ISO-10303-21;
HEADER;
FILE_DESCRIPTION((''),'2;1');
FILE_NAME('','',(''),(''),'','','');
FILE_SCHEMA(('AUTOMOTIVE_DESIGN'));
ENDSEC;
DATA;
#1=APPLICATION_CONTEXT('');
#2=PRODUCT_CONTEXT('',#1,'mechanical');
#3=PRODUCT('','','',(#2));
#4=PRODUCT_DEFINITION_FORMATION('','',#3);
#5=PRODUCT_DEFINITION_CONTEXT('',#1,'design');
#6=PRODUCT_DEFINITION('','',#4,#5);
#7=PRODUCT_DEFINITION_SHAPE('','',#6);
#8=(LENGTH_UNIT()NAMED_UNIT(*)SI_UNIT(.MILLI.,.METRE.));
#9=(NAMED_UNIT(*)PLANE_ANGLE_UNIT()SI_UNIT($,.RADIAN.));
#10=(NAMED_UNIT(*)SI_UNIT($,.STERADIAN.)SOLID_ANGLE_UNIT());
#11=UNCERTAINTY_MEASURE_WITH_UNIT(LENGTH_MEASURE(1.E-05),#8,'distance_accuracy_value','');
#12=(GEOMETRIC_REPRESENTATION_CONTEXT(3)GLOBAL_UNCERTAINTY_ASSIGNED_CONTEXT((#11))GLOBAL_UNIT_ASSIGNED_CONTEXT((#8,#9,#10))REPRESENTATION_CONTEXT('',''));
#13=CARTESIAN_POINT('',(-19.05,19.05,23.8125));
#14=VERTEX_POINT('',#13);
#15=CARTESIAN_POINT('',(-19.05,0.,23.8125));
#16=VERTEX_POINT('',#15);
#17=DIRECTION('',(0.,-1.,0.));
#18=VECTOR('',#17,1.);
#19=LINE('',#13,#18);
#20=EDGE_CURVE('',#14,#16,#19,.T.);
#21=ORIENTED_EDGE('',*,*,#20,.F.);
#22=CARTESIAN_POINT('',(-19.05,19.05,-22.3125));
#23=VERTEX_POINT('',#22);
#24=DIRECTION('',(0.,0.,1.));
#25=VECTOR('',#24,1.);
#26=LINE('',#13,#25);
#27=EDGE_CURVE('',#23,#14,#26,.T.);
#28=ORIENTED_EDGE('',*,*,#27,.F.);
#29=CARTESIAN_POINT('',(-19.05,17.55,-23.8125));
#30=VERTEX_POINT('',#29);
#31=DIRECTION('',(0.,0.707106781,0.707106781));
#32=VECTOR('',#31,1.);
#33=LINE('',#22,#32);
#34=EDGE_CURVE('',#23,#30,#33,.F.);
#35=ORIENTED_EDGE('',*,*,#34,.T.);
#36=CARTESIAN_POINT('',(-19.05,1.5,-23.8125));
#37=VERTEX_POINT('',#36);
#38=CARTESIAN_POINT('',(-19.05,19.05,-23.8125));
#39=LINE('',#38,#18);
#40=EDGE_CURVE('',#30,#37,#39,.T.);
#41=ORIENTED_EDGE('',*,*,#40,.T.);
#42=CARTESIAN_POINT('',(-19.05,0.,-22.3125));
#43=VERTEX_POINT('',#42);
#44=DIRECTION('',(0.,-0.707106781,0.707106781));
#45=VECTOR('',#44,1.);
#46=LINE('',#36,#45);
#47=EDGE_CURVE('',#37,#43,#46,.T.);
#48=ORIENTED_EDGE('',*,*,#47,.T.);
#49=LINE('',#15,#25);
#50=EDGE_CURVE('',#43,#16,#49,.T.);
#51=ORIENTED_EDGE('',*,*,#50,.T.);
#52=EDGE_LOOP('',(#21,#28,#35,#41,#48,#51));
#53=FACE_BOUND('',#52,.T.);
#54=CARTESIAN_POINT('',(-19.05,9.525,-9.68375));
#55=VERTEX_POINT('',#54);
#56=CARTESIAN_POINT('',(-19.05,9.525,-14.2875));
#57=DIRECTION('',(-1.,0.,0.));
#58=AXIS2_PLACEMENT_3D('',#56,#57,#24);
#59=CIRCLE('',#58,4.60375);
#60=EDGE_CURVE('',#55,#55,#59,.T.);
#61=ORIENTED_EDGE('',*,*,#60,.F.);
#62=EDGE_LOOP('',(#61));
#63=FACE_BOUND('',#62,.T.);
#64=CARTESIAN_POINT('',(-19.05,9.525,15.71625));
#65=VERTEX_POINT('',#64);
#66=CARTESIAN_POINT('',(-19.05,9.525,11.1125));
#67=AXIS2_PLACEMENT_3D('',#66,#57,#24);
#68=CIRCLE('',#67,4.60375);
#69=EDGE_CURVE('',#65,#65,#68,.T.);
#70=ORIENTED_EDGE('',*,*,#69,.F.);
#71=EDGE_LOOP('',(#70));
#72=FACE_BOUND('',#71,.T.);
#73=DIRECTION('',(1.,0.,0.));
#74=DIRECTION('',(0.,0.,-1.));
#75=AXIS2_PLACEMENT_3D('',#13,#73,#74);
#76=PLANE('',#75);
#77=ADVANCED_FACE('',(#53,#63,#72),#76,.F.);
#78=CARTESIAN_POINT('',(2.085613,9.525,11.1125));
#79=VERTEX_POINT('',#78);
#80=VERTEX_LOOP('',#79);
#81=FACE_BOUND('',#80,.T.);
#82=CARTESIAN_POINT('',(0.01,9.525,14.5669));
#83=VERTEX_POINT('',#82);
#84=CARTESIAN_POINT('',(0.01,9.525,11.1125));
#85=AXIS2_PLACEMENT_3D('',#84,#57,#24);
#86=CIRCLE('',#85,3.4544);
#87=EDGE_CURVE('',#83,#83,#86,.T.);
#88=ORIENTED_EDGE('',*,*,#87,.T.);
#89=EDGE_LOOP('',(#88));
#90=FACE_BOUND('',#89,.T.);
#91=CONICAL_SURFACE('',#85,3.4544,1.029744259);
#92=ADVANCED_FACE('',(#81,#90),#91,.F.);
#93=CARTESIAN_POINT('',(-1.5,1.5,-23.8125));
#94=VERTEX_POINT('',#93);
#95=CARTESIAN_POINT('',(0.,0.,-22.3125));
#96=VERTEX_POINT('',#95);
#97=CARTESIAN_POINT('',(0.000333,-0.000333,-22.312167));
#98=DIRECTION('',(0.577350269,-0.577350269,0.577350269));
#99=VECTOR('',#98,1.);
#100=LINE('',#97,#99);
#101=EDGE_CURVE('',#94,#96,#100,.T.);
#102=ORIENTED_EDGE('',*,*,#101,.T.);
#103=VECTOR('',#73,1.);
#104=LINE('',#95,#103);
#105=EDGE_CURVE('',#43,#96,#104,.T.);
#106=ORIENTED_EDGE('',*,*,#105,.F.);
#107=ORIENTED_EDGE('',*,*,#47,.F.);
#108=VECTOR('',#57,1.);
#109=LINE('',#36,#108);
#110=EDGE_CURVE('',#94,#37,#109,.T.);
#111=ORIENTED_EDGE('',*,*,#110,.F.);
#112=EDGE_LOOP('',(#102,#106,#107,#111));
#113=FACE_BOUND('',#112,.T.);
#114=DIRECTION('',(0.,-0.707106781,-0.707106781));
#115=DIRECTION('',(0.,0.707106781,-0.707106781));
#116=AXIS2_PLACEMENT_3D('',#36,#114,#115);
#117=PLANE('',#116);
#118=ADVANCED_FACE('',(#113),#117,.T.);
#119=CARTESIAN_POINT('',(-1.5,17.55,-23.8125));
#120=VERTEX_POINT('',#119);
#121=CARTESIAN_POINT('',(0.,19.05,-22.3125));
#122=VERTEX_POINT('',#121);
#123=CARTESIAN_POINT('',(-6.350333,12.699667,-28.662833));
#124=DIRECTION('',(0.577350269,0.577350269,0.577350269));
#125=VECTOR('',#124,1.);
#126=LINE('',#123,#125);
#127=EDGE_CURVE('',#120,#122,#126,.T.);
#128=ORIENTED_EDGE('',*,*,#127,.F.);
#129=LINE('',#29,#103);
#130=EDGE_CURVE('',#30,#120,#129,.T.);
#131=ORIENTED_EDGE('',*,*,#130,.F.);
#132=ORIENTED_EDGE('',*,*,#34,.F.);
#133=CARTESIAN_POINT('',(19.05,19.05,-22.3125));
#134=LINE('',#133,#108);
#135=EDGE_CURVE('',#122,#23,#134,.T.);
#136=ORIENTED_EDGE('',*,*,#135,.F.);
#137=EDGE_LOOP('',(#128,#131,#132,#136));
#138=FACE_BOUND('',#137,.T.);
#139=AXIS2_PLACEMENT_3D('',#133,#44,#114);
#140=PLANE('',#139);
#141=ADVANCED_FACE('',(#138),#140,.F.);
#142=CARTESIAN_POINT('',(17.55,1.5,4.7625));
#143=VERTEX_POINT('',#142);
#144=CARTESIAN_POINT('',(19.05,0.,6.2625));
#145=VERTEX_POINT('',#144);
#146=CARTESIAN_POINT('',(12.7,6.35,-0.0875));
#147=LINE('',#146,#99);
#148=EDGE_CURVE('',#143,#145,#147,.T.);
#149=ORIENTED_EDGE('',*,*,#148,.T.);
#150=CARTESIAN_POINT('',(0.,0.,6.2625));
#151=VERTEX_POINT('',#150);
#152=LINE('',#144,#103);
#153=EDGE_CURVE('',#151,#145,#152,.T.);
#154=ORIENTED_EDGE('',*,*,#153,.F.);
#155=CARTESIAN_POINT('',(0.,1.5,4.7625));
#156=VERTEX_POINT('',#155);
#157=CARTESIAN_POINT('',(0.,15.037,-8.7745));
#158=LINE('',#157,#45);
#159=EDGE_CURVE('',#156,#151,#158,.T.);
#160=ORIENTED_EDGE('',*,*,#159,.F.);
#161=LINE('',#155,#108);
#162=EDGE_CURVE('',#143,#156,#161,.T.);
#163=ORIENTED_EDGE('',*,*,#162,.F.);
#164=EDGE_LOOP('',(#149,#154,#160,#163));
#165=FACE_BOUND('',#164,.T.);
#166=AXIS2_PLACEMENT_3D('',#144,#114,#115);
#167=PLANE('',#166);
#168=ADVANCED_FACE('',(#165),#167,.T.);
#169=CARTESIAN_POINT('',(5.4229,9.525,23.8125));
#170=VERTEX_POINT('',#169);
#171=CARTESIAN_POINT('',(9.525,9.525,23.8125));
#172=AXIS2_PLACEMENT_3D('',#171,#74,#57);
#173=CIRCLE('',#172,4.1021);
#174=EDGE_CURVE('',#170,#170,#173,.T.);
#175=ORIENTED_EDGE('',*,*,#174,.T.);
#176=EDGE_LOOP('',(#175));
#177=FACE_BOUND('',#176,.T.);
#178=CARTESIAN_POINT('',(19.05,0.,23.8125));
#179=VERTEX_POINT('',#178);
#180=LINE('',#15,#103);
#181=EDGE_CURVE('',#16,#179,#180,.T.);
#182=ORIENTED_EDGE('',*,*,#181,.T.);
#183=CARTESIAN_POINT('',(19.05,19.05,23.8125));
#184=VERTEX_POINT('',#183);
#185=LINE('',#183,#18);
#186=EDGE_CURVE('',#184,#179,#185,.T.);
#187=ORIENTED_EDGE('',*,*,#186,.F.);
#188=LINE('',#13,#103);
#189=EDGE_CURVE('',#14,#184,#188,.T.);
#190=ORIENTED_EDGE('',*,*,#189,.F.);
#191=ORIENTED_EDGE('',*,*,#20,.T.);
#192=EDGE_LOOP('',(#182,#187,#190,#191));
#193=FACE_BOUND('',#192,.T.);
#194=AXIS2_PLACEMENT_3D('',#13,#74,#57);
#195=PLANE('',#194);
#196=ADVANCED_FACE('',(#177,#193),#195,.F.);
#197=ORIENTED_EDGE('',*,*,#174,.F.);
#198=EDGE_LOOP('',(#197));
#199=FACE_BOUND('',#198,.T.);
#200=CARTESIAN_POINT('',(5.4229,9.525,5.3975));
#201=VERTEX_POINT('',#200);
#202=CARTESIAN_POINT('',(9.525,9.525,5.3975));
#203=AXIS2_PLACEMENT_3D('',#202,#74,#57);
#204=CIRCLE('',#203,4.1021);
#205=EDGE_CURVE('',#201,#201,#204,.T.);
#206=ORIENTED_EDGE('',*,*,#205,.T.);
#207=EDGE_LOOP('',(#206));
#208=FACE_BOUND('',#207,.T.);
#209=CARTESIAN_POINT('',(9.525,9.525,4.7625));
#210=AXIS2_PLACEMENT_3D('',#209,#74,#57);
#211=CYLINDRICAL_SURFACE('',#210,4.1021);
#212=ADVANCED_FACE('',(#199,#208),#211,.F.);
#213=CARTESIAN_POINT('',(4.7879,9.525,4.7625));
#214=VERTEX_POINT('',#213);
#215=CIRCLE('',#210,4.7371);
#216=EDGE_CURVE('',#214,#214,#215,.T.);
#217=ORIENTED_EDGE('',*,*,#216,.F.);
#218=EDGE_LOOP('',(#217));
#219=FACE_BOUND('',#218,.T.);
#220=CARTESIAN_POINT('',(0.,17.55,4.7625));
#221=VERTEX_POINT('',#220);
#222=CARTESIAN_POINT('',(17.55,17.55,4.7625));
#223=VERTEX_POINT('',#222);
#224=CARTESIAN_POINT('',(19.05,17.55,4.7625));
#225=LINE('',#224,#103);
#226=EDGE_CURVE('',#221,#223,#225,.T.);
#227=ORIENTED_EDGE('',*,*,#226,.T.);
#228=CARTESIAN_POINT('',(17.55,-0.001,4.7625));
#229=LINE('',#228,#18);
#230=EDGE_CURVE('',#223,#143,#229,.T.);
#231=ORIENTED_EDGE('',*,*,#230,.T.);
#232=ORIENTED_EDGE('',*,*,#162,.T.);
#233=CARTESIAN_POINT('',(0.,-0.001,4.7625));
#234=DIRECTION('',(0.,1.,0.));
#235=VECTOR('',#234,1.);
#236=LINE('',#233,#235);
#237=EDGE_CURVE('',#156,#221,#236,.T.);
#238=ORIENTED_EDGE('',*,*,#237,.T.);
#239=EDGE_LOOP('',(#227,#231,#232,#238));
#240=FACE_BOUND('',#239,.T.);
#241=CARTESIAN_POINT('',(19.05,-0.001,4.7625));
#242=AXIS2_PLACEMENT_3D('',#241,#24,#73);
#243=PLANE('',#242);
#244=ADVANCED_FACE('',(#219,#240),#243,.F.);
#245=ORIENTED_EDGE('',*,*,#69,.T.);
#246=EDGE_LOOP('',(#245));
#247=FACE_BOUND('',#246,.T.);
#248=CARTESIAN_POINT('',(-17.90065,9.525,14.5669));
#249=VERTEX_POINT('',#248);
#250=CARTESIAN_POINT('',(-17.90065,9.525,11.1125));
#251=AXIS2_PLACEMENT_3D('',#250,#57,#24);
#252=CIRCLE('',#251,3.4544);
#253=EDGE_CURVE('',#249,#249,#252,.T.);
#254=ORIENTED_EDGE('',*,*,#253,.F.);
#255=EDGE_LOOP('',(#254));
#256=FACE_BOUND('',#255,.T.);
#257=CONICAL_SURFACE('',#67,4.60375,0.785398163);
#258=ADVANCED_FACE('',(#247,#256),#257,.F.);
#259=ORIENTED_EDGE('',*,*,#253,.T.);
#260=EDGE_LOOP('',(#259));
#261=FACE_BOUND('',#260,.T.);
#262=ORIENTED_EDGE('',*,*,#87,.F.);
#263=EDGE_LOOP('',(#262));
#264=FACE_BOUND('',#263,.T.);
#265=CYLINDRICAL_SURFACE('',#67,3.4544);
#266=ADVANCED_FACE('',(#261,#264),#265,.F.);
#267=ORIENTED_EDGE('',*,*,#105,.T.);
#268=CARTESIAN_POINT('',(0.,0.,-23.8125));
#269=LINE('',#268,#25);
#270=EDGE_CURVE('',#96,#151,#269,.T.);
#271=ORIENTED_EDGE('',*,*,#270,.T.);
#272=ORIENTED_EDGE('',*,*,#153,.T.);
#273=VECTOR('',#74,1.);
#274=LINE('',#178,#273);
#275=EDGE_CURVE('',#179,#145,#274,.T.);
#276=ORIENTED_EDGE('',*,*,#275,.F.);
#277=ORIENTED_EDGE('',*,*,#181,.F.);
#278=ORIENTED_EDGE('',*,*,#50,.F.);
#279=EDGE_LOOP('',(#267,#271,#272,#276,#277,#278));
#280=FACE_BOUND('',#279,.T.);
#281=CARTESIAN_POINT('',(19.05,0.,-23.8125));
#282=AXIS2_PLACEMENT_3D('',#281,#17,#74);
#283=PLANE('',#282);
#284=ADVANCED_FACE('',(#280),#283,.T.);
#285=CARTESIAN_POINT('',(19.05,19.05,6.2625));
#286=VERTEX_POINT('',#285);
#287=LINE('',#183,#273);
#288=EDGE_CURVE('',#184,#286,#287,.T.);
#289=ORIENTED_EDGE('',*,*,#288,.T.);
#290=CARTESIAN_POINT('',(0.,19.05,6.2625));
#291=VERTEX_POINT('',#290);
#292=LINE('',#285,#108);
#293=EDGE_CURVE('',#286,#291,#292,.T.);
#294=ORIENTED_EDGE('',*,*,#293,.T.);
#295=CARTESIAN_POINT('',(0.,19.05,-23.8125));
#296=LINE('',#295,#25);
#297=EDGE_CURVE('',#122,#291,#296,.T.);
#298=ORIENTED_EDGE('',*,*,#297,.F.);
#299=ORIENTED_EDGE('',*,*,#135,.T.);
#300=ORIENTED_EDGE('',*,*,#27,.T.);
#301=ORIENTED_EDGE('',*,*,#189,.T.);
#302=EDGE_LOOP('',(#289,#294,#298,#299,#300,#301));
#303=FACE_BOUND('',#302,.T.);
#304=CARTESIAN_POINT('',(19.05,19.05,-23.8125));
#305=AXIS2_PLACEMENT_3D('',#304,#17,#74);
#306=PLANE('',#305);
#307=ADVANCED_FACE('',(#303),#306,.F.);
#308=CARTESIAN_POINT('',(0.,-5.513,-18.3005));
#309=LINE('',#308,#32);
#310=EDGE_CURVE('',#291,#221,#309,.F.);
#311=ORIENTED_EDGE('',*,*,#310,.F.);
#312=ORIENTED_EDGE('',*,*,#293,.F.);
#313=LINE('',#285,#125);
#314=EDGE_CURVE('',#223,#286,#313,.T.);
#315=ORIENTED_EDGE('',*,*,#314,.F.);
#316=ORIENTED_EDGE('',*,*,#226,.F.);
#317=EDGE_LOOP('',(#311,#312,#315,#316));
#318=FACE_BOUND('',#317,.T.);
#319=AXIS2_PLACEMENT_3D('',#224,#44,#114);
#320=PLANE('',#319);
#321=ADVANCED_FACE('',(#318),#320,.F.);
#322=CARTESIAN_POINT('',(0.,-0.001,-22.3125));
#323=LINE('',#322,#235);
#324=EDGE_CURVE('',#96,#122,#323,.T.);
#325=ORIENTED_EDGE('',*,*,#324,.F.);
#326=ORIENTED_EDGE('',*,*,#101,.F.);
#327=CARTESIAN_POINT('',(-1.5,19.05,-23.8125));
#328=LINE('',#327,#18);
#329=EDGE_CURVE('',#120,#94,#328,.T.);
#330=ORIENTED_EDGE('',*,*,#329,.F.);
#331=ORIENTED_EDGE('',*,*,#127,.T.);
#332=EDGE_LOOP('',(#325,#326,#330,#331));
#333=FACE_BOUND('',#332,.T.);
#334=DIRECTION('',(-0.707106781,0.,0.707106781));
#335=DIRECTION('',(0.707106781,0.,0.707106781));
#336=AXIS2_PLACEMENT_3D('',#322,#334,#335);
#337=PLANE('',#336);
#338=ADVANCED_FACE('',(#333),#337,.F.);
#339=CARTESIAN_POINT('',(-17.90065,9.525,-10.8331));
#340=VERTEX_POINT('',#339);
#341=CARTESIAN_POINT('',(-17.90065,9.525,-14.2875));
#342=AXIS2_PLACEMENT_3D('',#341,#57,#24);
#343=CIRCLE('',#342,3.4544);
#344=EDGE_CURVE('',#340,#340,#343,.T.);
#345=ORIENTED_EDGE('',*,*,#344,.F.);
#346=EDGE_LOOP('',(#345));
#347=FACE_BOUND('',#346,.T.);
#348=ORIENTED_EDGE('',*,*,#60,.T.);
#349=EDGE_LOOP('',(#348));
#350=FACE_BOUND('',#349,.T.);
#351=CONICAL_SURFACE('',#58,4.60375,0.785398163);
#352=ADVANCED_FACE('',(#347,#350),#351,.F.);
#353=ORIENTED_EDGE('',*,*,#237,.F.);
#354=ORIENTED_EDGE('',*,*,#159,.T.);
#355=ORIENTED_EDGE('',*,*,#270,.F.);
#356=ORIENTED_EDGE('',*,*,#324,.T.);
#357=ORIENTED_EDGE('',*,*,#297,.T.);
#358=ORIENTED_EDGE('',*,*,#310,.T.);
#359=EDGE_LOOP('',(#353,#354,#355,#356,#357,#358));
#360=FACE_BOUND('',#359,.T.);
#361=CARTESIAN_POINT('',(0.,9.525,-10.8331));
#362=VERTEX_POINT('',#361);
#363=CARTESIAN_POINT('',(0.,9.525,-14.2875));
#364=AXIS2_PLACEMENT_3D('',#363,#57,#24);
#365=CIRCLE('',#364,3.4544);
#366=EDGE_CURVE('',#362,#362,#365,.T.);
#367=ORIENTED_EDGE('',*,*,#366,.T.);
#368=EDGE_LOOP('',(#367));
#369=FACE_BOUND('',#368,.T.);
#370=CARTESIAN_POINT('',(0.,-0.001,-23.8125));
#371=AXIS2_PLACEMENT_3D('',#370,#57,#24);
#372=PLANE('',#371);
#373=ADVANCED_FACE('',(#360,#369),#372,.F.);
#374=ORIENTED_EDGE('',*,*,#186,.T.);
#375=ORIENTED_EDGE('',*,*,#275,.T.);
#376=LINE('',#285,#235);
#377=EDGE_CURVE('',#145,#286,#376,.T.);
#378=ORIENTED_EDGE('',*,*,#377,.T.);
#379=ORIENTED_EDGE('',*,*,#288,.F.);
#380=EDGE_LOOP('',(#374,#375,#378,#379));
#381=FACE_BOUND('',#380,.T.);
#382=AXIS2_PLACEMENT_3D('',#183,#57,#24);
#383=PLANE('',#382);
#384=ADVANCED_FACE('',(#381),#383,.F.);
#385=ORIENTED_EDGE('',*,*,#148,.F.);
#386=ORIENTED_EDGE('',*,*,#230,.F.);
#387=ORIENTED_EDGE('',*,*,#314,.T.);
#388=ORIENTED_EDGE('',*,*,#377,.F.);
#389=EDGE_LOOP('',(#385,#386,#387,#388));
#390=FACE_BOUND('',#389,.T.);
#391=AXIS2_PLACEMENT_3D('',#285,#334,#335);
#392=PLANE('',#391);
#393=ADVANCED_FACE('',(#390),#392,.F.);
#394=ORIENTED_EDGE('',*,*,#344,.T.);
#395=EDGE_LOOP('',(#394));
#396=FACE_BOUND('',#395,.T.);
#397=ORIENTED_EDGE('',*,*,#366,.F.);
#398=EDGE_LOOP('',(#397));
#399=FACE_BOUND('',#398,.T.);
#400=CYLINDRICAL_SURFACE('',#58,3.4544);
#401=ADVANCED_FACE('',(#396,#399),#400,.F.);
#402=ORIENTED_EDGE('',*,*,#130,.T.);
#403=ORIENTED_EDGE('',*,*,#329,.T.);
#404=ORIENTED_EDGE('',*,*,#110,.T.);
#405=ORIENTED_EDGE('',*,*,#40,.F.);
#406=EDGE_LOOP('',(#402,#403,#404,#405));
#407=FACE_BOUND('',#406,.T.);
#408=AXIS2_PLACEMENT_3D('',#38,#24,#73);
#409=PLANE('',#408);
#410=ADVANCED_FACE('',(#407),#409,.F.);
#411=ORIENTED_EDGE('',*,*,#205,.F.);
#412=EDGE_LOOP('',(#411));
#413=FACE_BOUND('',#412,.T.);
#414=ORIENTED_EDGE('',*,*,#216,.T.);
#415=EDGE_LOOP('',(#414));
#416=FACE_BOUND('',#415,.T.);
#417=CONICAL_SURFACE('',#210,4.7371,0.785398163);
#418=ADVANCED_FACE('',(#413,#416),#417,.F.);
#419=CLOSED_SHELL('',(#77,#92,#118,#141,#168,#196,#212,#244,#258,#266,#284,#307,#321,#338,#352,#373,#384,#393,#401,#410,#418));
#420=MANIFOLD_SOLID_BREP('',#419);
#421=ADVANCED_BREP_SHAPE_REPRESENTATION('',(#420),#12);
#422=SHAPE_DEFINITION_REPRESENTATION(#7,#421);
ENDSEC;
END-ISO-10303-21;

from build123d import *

# Parameters (mm, degrees)
SKETCH1_W                          = 38.1
SKETCH1_H                          = 47.625
BOSS_EXTRUDE1_DEPTH                = 19.05
CUT_EXTRUDE1_REACH                 = 21.05
SKETCH2_W                          = 19.05
SKETCH2_H                          = 28.575
F_5_16_24_TAPPED_HOLE1_D           = 6.9088
F_5_16_24_TAPPED_HOLE1_DEPTH       = 19.06
F_5_16_24_TAPPED_HOLE1_CSINK_D     = 9.2075
F_5_16_24_TAPPED_HOLE1_CSINK_ANGLE = 90
F_5_16_24_TAPPED_HOLE1_TIP         = 2.075612922
F_5_16_CLEARANCE_HOLE1_D           = 8.2042
F_5_16_CLEARANCE_HOLE1_CSINK_D     = 9.4742
F_5_16_CLEARANCE_HOLE1_CSINK_ANGLE = 90
CHAMFER1_SIZE                      = 1.5


with BuildPart() as part:
    # Sketch1 → Boss-Extrude1 (new body)
    with BuildSketch(Plane(origin=(0, 0, 0), x_dir=(1, 0, 0), z_dir=(0, 1, 0))):
        Rectangle(SKETCH1_W, SKETCH1_H)
    extrude(amount=BOSS_EXTRUDE1_DEPTH)

    # Sketch2 → Cut-Extrude1 (cut, up to next)
    with BuildSketch(Plane(origin=(0, 19.05, 0), x_dir=(1, 0, 0), z_dir=(0, 1, 0)), mode=Mode.PRIVATE) as cut_extrude1_sk1:
        with Locations((9.525, 9.525)):
            Rectangle(SKETCH2_W, SKETCH2_H)
    cut_extrude1_tool1 = extrude(cut_extrude1_sk1.sketch, amount=-CUT_EXTRUDE1_REACH, mode=Mode.PRIVATE) & part.part
    add(cut_extrude1_tool1.solids().sort_by_distance((9.525, 19.05, -9.525))[0], mode=Mode.SUBTRACT)

    # 5/16-24 Tapped Hole1
    with Locations(Plane.ZY.offset(19.05)):
        with Locations((-14.2875, 9.525), (11.1125, 9.525)):
            CounterSinkHole(F_5_16_24_TAPPED_HOLE1_D / 2, F_5_16_24_TAPPED_HOLE1_CSINK_D / 2, depth=F_5_16_24_TAPPED_HOLE1_DEPTH, counter_sink_angle=F_5_16_24_TAPPED_HOLE1_CSINK_ANGLE)
            with Locations((0, 0, -(F_5_16_24_TAPPED_HOLE1_DEPTH + F_5_16_24_TAPPED_HOLE1_TIP / 2))):  # 118° drill point
                Cone(0, F_5_16_24_TAPPED_HOLE1_D / 2, F_5_16_24_TAPPED_HOLE1_TIP, mode=Mode.SUBTRACT)

    # 5/16 Clearance Hole1 (through all)
    with Locations(Plane(origin=(0, 0, 4.7625), x_dir=(-1, 0, 0), z_dir=(0, 0, -1))):
        with Locations((-9.525, 9.525)):
            CounterSinkHole(F_5_16_CLEARANCE_HOLE1_D / 2, F_5_16_CLEARANCE_HOLE1_CSINK_D / 2, counter_sink_angle=F_5_16_CLEARANCE_HOLE1_CSINK_ANGLE)

    # Chamfer1
    chamfer1_edges = [part.edges().sort_by_distance(p)[0] for p in [
        (-9.525, 0, -23.8125),
        (-9.525, 19.05, -23.8125),
        (9.525, 0, 4.7625),
        (19.05, 9.525, 4.7625),
        (0, 9.525, -23.8125),
        (9.525, 19.05, 4.7625),
    ]]
    chamfer(chamfer1_edges, length=CHAMFER1_SIZE)


solid = part.part
